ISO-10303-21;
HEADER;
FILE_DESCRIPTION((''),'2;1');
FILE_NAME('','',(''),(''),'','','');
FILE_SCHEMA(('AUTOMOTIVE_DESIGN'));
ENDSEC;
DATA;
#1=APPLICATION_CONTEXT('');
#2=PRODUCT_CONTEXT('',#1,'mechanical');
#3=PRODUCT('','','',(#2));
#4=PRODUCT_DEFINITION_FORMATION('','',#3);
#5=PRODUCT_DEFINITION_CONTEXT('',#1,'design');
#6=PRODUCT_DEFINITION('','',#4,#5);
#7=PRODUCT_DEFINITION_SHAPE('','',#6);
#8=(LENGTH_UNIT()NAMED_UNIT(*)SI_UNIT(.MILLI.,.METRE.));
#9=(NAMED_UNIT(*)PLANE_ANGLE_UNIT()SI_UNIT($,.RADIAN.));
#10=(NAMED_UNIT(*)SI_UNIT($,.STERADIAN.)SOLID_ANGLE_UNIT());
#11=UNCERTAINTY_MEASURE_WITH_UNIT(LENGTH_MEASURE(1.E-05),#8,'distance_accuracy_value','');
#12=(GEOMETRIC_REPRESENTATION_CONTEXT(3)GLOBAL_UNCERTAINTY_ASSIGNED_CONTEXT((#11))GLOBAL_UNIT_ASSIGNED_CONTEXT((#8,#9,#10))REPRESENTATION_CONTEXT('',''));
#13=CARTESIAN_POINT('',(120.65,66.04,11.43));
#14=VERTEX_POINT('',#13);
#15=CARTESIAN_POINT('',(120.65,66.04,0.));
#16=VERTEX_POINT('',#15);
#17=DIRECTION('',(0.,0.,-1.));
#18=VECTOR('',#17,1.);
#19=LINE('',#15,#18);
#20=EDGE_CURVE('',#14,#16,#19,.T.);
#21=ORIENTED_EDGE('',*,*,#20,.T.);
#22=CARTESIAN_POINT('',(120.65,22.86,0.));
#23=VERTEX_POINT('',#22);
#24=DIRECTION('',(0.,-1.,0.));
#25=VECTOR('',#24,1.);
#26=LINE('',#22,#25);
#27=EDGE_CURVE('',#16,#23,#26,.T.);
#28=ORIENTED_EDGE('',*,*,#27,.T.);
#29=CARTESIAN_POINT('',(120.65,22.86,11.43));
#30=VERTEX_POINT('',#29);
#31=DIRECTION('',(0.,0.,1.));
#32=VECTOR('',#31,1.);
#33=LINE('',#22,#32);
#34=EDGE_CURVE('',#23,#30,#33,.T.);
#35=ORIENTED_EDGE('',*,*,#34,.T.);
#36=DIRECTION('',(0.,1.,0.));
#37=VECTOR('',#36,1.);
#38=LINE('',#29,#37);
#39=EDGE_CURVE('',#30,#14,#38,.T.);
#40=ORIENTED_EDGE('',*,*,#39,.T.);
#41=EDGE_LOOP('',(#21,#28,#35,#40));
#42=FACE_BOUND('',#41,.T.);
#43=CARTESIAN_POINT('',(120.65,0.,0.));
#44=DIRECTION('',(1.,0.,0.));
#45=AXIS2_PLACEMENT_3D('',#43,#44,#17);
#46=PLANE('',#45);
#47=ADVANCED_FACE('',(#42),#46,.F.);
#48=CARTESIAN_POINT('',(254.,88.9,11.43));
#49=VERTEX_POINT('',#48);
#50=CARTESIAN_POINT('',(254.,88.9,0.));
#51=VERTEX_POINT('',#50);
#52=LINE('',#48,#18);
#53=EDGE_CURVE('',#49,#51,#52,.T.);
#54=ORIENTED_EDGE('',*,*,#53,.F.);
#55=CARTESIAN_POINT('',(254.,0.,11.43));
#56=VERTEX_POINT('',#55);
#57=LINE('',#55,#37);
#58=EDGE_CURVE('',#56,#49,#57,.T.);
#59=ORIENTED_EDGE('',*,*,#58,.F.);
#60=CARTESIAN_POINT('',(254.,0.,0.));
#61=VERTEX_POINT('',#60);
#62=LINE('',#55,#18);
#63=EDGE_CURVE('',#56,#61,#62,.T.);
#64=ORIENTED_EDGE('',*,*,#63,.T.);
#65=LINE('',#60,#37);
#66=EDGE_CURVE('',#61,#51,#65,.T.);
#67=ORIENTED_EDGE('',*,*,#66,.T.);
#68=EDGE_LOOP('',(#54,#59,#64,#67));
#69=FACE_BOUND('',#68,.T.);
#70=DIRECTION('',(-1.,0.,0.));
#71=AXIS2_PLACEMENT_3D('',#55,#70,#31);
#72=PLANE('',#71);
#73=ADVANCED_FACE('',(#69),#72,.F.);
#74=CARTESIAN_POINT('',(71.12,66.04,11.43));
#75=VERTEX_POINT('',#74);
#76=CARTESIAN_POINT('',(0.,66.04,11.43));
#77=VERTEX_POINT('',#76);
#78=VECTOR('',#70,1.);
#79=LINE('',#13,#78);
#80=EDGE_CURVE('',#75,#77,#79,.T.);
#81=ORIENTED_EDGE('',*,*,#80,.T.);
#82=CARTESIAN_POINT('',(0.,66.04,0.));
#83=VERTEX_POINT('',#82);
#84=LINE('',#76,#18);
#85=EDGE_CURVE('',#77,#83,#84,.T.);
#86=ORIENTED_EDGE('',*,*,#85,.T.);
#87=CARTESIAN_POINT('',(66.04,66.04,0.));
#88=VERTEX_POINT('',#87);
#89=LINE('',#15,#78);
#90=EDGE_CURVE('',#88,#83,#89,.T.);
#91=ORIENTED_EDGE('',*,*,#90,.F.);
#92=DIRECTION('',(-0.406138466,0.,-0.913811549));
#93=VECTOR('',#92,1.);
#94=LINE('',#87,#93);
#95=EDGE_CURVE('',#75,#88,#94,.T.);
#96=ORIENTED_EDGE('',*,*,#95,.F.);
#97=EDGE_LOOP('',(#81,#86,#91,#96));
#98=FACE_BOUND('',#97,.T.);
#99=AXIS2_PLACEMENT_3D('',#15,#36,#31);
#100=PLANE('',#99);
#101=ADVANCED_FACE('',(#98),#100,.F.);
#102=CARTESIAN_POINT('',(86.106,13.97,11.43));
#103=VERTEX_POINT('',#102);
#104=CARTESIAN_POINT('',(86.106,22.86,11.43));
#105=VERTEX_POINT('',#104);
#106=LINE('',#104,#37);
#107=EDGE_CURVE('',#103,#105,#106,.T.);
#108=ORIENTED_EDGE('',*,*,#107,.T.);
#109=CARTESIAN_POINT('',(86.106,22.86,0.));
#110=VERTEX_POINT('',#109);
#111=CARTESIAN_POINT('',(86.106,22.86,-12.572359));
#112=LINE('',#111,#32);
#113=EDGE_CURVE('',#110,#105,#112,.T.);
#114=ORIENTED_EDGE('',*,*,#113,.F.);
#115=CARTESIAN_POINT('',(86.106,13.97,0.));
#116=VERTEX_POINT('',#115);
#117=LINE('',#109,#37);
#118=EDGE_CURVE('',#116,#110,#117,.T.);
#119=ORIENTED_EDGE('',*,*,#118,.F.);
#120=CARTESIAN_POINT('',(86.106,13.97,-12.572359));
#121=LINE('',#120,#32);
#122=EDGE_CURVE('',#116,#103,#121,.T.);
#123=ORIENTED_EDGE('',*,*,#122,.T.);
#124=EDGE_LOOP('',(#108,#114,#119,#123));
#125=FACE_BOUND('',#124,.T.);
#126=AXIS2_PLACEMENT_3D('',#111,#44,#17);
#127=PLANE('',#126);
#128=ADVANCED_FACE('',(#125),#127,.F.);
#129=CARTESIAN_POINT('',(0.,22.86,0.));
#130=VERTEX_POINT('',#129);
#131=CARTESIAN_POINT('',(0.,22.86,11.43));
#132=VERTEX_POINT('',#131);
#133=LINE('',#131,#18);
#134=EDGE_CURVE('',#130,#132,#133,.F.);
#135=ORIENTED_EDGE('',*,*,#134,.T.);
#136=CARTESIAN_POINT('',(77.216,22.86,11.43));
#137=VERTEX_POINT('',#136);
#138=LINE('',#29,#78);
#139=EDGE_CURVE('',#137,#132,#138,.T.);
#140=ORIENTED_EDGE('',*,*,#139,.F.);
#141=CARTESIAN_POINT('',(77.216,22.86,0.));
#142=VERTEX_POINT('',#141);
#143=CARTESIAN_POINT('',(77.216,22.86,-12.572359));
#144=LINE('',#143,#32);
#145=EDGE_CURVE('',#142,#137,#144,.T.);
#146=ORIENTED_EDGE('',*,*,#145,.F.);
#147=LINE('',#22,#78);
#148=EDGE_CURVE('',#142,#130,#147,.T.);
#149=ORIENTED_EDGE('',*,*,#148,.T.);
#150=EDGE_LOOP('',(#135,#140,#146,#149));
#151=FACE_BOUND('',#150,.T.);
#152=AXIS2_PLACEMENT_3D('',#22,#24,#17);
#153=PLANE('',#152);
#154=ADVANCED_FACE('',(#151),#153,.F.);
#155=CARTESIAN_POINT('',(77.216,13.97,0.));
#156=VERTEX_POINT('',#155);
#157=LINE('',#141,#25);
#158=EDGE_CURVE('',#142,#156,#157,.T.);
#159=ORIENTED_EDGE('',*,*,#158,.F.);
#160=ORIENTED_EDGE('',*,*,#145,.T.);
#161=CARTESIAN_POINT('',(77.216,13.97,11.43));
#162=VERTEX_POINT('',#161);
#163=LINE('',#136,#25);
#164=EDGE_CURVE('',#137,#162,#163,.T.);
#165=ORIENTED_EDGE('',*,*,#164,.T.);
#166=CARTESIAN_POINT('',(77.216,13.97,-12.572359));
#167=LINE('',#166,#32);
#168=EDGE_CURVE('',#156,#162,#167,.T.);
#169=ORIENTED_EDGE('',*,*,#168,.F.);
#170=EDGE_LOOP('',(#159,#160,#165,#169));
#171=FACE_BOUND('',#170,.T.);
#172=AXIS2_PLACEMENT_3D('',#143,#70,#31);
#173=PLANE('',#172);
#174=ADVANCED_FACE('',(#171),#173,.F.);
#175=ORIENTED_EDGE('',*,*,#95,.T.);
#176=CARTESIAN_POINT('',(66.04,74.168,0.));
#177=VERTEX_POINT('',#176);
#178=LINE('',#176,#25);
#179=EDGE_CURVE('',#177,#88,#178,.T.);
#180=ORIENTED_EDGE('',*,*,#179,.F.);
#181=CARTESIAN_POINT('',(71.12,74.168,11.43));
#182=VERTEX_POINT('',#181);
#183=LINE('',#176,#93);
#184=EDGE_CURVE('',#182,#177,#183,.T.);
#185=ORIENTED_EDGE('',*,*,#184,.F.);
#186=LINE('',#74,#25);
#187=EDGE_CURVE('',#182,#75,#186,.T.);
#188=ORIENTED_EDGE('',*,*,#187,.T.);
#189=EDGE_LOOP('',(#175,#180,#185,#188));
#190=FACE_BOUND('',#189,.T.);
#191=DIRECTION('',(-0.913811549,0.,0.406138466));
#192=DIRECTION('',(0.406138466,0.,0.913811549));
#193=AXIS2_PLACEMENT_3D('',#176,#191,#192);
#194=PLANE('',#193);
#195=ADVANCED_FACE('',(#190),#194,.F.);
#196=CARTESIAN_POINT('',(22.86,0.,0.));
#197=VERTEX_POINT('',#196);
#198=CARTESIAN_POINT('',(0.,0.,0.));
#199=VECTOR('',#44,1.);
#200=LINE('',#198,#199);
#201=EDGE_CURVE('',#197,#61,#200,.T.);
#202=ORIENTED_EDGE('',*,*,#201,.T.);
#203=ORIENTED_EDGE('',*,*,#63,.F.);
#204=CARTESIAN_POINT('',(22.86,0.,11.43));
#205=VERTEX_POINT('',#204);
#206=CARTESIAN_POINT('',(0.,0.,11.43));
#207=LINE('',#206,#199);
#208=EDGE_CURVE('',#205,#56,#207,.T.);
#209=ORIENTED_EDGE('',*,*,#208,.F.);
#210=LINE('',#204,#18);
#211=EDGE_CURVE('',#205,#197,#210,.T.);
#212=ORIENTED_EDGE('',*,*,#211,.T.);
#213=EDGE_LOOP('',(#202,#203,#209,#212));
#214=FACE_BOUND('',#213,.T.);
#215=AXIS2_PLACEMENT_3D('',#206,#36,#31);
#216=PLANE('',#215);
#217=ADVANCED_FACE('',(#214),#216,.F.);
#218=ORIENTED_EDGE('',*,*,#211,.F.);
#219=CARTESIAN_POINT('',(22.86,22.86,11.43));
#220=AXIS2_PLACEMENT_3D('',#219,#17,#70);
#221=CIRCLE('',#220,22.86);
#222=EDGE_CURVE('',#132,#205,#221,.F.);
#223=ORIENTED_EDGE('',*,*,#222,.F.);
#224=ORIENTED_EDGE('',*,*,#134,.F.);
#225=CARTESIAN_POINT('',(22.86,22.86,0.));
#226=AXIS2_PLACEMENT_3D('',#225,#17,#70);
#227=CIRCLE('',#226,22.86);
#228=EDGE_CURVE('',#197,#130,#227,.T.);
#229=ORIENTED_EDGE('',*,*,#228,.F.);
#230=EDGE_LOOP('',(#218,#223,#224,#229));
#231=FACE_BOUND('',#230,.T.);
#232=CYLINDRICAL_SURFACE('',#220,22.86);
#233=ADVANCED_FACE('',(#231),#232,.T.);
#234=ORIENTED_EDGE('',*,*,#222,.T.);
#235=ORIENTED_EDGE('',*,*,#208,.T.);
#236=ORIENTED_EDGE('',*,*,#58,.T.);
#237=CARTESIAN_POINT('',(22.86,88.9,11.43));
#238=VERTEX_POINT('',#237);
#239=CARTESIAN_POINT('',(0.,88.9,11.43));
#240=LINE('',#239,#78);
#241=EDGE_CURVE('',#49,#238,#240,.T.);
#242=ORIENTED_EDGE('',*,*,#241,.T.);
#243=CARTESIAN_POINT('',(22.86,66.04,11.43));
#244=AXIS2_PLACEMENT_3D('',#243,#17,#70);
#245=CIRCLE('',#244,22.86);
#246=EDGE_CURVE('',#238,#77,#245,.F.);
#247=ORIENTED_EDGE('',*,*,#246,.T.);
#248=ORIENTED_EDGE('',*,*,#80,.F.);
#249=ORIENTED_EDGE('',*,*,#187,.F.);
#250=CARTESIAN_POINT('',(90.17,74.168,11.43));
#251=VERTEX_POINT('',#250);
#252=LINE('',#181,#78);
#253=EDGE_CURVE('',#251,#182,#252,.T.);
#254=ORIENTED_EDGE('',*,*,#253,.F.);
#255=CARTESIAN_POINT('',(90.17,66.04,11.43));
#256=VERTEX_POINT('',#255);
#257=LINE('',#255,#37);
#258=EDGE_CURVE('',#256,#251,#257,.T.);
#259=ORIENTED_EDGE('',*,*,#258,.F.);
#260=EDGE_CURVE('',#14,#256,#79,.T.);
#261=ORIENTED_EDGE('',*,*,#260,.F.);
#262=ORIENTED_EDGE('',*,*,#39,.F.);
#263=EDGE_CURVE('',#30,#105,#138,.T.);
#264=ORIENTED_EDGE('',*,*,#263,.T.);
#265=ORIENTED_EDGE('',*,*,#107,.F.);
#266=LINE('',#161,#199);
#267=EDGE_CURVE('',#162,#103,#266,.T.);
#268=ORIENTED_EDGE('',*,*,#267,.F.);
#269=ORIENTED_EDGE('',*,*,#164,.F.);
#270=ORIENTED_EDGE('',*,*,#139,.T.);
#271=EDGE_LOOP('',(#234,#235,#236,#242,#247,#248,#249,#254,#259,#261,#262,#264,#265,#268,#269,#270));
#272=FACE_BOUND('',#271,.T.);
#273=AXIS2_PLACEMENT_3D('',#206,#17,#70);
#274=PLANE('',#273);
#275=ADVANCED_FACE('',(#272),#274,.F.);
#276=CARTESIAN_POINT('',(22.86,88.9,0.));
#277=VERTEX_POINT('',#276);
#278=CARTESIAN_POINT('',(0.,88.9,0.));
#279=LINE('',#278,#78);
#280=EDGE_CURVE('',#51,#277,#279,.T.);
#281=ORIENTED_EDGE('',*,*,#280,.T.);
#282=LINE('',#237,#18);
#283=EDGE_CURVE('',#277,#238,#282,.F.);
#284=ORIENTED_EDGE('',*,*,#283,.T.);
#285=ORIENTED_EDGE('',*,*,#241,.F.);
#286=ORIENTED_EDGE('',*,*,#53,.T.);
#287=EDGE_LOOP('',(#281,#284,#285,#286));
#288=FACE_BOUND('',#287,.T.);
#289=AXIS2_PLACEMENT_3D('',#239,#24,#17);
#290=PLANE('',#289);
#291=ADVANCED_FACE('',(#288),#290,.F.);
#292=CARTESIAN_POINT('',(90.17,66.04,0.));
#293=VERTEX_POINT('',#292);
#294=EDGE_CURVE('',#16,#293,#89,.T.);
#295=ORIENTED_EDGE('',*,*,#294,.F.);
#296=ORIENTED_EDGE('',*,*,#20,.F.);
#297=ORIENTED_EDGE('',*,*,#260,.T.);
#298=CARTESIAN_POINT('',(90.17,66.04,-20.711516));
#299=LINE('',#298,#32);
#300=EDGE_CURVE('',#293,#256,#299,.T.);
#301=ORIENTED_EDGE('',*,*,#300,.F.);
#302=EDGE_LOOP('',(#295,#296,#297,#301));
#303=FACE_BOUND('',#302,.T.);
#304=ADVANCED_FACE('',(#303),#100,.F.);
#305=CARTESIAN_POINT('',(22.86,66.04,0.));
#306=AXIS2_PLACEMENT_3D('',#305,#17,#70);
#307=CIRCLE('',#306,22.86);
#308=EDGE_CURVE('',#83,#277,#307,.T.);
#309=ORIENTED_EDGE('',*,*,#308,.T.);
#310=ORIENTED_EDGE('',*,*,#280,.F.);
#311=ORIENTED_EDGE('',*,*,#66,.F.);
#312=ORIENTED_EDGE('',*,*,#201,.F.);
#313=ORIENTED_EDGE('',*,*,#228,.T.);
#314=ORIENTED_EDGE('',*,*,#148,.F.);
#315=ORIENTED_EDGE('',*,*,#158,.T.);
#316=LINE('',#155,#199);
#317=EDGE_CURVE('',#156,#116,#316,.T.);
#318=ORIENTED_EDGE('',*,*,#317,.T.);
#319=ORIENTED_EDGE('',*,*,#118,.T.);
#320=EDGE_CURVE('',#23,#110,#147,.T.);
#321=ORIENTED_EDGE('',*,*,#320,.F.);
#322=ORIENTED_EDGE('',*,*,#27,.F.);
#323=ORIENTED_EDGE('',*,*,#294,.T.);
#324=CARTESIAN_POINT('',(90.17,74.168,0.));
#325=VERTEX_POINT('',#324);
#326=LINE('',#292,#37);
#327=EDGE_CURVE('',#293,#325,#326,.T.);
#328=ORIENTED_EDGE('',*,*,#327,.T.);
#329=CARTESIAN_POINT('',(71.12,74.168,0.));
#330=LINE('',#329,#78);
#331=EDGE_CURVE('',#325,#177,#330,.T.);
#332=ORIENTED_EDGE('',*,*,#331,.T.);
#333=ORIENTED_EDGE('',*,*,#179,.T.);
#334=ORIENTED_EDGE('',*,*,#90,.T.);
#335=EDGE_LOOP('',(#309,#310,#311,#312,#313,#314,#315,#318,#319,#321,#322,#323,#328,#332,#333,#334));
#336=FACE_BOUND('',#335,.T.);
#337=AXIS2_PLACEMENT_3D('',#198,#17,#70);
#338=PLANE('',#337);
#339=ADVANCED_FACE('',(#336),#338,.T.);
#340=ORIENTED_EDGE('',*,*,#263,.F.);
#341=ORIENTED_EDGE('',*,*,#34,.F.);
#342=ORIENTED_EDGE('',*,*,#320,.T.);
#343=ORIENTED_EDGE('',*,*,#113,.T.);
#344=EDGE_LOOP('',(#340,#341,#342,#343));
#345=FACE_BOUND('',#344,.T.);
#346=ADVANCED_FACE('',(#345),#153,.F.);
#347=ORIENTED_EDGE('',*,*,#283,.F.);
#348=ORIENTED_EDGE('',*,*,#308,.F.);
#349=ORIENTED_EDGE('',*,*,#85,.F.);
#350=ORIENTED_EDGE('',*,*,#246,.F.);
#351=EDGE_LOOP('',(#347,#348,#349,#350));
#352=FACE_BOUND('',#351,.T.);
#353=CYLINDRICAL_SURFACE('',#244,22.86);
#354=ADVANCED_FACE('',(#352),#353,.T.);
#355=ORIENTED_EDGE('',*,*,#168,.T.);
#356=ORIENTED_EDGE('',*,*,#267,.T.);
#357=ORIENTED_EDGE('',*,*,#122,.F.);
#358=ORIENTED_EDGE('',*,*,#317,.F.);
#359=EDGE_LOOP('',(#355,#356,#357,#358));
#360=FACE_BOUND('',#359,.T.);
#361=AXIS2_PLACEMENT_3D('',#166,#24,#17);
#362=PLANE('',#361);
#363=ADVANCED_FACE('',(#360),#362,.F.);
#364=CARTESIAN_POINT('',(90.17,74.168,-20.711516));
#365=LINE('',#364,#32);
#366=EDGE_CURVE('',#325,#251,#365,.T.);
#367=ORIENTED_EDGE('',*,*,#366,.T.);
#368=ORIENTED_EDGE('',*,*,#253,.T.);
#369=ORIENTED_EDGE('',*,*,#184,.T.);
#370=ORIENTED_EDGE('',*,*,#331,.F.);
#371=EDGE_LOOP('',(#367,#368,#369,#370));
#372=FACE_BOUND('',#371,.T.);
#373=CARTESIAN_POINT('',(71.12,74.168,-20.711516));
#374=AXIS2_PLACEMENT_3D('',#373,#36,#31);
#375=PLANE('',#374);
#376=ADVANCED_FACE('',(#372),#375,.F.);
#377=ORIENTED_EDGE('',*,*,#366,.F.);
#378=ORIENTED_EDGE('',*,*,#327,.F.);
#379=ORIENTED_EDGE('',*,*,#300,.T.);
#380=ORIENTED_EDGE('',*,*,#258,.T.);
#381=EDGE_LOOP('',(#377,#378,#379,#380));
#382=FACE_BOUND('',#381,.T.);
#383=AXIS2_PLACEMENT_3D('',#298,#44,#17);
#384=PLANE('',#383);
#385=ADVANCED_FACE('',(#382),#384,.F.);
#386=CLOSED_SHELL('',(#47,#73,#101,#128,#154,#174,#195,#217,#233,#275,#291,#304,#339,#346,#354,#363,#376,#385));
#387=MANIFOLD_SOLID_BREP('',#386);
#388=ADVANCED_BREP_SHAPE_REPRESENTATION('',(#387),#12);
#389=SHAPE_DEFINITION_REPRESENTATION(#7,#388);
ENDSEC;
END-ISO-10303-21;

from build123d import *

# Parameters (mm, degrees)
SKETCH1_W           = 254
SKETCH1_H           = 88.9
BOSS_EXTRUDE1_DEPTH = 11.43
FILLET1_R           = 22.86
FILLET2_R           = 22.86
SKETCH2_W           = 11.43
SKETCH2_H           = 43.18
CUT_EXTRUDE1_DEPTH  = 120.65
SKETCH3_W           = 8.89
SKETCH3_H           = 8.89
CUT_EXTRUDE2_DEPTH  = 11.43
SKETCH4_W           = 19.05
SKETCH4_H           = 8.128
CUT_EXTRUDE3_DEPTH  = 11.43
CUT_EXTRUDE4_DEPTH  = 8.128


with BuildPart() as part:
    # Sketch1 → Boss-Extrude1 (new body)
    with BuildSketch(Plane.XY):
        with Locations((127, 44.45)):
            Rectangle(SKETCH1_W, SKETCH1_H)
    extrude(amount=BOSS_EXTRUDE1_DEPTH)

    # Fillet1
    fillet1_edges = [part.edges().sort_by_distance(p)[0] for p in [
        (0, 88.9, 5.715),
    ]]
    fillet(fillet1_edges, radius=FILLET1_R)

    # Fillet2
    fillet2_edges = [part.edges().sort_by_distance(p)[0] for p in [
        (0, 0, 5.715),
    ]]
    fillet(fillet2_edges, radius=FILLET2_R)

    # Sketch2 → Cut-Extrude1 (cut)
    with BuildSketch(Plane.ZY):
        with Locations((5.715, 44.45)):
            Rectangle(SKETCH2_W, SKETCH2_H)
    extrude(amount=-CUT_EXTRUDE1_DEPTH, mode=Mode.SUBTRACT)

    # Sketch3 → Cut-Extrude2 (cut)
    with BuildSketch(Plane.XY.offset(11.43)):
        with Locations((81.661, 18.415)):
            Rectangle(SKETCH3_W, SKETCH3_H)
    extrude(amount=-CUT_EXTRUDE2_DEPTH, mode=Mode.SUBTRACT)

    # Sketch4 → Cut-Extrude3 (cut)
    with BuildSketch(Plane.XY.offset(11.43)):
        with Locations((80.645, 70.104)):
            Rectangle(SKETCH4_W, SKETCH4_H)
    extrude(amount=-CUT_EXTRUDE3_DEPTH, mode=Mode.SUBTRACT)

    # Sketch6 → Cut-Extrude4 (cut)
    with BuildSketch(Plane.XZ.offset(-66.04)):
        Polygon((66.04, 0), (71.12, 11.43), (71.12, 0), align=None)
    extrude(amount=-CUT_EXTRUDE4_DEPTH, mode=Mode.SUBTRACT)


solid = part.part
